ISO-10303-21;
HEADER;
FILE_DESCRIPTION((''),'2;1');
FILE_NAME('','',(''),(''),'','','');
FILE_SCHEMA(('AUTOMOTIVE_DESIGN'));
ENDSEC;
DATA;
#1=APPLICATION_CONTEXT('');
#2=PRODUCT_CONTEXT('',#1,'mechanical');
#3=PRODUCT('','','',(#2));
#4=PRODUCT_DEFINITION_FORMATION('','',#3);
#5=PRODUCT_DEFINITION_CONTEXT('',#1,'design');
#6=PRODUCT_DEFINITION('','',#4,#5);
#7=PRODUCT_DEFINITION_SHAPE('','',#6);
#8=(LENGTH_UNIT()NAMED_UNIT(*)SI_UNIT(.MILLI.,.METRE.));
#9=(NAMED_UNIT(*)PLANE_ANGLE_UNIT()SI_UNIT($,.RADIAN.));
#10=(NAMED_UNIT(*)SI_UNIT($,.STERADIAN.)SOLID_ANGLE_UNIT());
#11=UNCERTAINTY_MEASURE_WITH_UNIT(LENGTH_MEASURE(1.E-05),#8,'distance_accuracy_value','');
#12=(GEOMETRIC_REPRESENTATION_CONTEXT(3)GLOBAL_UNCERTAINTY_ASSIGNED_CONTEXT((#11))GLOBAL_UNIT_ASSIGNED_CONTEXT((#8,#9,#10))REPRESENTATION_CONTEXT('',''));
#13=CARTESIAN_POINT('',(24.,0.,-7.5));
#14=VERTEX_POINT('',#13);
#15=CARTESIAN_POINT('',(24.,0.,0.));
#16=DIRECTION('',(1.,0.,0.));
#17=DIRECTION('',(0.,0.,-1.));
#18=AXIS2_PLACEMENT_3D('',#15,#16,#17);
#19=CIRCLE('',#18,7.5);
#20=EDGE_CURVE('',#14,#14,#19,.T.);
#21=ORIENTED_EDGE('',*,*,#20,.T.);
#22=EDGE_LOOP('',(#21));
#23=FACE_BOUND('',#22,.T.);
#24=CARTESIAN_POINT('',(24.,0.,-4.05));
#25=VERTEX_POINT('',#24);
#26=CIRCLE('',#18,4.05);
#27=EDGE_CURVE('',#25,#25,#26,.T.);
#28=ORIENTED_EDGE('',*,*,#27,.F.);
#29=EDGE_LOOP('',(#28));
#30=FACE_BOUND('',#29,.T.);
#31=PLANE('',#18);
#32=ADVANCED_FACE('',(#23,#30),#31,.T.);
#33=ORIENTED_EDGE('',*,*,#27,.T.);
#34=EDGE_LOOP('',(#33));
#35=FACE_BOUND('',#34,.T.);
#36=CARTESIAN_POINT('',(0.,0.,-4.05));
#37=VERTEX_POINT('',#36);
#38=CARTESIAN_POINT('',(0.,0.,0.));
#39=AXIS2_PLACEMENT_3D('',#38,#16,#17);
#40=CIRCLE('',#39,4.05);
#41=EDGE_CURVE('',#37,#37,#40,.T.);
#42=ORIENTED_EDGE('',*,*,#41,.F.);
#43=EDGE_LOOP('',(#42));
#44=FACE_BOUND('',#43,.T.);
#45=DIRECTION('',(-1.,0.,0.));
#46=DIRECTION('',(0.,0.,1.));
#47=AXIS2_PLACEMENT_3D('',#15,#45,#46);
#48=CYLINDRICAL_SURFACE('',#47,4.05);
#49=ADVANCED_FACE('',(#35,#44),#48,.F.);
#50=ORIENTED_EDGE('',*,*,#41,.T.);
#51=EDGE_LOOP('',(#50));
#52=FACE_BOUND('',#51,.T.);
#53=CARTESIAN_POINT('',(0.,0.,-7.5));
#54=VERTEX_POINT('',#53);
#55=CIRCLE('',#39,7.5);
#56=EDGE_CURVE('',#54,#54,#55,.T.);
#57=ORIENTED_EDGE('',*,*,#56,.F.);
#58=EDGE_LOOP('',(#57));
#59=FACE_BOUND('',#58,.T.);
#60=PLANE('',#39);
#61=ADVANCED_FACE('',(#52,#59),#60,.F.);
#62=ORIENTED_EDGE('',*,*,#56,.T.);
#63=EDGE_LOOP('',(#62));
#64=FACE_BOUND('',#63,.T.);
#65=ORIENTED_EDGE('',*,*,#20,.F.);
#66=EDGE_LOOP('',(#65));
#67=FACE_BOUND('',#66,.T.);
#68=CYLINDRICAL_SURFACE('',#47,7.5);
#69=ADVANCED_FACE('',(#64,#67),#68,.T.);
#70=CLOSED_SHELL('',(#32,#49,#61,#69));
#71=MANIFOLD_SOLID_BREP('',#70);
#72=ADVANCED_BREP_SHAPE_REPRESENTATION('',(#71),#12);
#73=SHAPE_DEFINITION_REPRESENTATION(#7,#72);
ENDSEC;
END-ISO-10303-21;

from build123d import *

# Parameters (mm, degrees)
SKETCH_1_R      = 7.5
SKETCH_1_R_2    = 4.05
EXTRUDE_1_DEPTH = 24


with BuildPart() as part:
    # Эскиз1 → Бобышка-Вытянуть1 (new body)
    with BuildSketch(Plane(origin=(0, 0, 0), x_dir=(0, 0, -1), z_dir=(1, 0, 0))):
        Circle(SKETCH_1_R)
        Circle(SKETCH_1_R_2, mode=Mode.SUBTRACT)
    extrude(amount=EXTRUDE_1_DEPTH)


solid = part.part
